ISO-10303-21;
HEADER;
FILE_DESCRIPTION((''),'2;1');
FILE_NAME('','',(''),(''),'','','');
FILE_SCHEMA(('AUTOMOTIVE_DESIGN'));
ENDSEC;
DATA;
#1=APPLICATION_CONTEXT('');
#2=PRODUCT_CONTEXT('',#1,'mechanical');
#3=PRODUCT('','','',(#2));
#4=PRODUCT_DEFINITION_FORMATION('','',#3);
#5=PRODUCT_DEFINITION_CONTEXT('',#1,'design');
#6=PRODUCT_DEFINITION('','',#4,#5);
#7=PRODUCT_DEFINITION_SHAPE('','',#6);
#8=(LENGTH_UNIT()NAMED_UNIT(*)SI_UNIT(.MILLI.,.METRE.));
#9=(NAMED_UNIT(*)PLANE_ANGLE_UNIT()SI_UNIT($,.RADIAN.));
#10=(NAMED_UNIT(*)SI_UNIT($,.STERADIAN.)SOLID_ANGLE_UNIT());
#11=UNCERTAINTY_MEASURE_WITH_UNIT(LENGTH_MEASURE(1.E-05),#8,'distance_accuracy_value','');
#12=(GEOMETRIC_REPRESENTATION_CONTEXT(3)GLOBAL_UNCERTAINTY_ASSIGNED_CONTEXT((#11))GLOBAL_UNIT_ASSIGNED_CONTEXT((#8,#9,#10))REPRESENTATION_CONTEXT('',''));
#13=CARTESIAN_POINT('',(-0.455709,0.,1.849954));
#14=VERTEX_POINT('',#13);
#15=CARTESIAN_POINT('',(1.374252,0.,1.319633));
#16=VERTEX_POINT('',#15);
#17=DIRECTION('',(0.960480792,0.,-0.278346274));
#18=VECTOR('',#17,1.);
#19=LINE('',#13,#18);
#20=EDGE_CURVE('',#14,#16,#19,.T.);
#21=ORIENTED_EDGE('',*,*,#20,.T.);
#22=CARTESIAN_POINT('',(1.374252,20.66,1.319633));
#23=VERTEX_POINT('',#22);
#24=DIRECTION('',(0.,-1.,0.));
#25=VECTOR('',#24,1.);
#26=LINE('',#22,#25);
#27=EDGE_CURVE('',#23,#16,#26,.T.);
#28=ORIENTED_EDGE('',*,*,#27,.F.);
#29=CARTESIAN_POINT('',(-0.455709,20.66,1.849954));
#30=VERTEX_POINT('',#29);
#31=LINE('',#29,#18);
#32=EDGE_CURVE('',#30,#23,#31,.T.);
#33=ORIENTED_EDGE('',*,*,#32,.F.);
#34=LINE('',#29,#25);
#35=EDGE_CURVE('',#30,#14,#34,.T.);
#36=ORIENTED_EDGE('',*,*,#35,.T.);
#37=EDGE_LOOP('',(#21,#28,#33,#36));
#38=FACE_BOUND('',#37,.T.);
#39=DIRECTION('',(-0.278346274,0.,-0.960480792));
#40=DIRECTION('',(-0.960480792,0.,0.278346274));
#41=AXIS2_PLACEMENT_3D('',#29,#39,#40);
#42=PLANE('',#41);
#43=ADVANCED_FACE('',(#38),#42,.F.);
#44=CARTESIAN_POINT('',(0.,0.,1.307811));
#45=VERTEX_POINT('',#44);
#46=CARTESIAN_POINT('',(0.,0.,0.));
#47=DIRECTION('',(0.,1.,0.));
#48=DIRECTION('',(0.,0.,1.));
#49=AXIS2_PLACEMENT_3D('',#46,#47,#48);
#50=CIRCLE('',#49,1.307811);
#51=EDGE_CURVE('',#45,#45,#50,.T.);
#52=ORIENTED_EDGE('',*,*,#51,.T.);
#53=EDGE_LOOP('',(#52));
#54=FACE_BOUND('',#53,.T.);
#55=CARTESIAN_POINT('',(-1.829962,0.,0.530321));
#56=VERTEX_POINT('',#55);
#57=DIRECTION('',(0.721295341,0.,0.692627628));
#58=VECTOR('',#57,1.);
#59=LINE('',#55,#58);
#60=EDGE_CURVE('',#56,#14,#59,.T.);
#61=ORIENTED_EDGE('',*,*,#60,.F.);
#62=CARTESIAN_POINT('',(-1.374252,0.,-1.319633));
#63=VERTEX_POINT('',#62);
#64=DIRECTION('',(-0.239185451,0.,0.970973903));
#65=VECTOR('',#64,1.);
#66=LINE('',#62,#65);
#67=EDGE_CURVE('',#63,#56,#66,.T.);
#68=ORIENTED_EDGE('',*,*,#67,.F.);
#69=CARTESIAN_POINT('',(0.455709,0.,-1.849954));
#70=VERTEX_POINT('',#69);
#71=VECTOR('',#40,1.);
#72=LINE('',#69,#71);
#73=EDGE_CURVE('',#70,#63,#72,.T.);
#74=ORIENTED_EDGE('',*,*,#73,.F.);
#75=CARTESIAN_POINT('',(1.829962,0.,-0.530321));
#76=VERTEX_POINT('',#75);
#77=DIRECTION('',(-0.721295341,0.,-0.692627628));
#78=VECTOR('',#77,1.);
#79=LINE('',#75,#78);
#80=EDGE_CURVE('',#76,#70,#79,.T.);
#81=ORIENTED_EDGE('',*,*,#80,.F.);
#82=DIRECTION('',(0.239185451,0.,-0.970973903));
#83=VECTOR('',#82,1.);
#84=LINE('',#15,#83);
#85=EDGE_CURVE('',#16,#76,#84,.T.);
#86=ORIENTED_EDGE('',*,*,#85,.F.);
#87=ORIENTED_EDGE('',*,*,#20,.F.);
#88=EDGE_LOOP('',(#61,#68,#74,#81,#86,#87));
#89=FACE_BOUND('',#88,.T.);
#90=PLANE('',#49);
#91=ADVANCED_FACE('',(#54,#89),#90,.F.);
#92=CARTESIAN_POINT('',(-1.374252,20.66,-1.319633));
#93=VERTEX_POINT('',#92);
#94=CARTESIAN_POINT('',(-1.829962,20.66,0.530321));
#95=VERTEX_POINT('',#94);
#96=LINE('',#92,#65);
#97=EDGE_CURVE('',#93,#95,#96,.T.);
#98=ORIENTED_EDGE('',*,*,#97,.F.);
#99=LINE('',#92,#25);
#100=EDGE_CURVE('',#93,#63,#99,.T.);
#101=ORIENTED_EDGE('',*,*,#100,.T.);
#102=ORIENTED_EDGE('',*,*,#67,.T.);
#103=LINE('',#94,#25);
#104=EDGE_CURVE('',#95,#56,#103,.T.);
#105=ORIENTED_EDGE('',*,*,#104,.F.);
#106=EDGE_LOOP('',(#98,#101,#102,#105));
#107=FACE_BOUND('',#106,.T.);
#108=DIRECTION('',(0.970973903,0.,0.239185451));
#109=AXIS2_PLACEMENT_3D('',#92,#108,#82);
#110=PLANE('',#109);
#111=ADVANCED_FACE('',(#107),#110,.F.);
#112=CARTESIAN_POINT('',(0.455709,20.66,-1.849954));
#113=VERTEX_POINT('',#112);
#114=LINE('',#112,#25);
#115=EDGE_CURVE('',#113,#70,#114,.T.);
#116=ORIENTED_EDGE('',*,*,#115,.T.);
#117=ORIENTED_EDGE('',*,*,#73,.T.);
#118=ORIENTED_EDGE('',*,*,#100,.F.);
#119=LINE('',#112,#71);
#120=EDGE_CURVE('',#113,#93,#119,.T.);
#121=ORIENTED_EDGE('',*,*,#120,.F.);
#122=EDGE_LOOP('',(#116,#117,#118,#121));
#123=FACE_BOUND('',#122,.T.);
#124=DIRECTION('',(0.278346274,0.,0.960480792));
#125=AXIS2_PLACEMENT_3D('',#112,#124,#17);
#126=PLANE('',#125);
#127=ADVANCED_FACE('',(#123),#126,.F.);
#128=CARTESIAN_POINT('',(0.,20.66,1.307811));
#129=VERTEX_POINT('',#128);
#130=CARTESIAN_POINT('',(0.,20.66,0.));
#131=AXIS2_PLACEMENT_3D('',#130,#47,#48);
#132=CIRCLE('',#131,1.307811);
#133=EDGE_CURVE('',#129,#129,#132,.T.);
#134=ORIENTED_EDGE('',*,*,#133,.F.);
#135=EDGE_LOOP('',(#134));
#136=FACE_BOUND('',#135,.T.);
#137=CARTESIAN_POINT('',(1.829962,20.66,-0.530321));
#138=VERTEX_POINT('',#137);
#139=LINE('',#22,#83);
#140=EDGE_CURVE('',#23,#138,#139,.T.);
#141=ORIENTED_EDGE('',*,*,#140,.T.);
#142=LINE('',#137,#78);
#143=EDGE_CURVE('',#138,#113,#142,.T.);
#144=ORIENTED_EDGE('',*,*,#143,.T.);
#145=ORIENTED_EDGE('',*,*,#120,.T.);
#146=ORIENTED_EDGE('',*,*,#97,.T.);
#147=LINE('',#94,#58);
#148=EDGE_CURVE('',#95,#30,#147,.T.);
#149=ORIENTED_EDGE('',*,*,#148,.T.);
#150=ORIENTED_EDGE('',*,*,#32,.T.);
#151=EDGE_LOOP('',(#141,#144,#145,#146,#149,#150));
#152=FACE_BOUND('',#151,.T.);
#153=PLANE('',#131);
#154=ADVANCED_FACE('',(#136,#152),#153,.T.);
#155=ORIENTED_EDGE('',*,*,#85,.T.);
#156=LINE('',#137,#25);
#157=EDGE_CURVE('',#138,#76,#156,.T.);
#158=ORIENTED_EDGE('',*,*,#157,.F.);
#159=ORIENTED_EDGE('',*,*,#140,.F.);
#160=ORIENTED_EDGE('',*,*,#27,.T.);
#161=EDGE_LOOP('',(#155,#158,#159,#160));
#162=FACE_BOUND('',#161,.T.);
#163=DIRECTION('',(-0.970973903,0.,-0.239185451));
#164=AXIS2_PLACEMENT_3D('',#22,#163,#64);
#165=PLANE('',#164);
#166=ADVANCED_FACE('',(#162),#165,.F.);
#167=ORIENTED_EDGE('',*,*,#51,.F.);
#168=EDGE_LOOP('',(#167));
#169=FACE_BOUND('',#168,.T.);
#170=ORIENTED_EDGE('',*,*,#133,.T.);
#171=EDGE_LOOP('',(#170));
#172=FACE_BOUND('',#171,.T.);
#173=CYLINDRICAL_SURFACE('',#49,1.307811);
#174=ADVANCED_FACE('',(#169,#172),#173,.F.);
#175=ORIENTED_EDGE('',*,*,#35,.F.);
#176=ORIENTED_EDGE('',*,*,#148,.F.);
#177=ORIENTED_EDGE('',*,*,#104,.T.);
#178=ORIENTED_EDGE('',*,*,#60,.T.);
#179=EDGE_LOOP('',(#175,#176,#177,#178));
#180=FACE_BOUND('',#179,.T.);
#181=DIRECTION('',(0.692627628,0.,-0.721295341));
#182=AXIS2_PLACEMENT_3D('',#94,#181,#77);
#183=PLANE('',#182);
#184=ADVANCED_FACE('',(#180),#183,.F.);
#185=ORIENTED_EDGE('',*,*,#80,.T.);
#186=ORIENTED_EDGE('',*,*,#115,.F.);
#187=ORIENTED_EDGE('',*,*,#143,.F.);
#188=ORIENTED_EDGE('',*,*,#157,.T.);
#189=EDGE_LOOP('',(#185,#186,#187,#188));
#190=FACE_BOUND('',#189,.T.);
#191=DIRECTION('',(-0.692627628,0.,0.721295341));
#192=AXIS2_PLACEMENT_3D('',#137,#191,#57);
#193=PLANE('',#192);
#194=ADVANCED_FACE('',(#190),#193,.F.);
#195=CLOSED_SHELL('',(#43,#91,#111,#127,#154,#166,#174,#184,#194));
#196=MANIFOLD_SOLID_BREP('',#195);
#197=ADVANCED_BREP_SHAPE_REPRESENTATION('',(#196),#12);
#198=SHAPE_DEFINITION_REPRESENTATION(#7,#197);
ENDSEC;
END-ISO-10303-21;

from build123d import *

# Parameters (mm, degrees)
BOSS_EXTRUDE1_DEPTH = 20.66
SKETCH2_R           = 1.307810537
CUT_EXTRUDE1_DEPTH  = 20.66


with BuildPart() as part:
    # Sketch1 → Boss-Extrude1 (new body)
    with BuildSketch(Plane(origin=(0, 0, 0), x_dir=(1, 0, 0), z_dir=(0, 1, 0))):
        Polygon((1.829961684, 0.530320878), (0.455709489, 1.849953746), (-1.374252195, 1.319632867), (-1.829961684, -0.530320878), (-0.455709489, -1.849953746), (1.374252195, -1.319632867), align=None)
    extrude(amount=BOSS_EXTRUDE1_DEPTH)

    # Sketch2 → Cut-Extrude1 (cut)
    with BuildSketch(Plane(origin=(0, 20.66, 0), x_dir=(1, 0, 0), z_dir=(0, 1, 0))):
        with Locations(Location((0, 0, 0), (0, 0, 270))):
            Circle(SKETCH2_R)
    extrude(amount=-CUT_EXTRUDE1_DEPTH, mode=Mode.SUBTRACT)


solid = part.part
